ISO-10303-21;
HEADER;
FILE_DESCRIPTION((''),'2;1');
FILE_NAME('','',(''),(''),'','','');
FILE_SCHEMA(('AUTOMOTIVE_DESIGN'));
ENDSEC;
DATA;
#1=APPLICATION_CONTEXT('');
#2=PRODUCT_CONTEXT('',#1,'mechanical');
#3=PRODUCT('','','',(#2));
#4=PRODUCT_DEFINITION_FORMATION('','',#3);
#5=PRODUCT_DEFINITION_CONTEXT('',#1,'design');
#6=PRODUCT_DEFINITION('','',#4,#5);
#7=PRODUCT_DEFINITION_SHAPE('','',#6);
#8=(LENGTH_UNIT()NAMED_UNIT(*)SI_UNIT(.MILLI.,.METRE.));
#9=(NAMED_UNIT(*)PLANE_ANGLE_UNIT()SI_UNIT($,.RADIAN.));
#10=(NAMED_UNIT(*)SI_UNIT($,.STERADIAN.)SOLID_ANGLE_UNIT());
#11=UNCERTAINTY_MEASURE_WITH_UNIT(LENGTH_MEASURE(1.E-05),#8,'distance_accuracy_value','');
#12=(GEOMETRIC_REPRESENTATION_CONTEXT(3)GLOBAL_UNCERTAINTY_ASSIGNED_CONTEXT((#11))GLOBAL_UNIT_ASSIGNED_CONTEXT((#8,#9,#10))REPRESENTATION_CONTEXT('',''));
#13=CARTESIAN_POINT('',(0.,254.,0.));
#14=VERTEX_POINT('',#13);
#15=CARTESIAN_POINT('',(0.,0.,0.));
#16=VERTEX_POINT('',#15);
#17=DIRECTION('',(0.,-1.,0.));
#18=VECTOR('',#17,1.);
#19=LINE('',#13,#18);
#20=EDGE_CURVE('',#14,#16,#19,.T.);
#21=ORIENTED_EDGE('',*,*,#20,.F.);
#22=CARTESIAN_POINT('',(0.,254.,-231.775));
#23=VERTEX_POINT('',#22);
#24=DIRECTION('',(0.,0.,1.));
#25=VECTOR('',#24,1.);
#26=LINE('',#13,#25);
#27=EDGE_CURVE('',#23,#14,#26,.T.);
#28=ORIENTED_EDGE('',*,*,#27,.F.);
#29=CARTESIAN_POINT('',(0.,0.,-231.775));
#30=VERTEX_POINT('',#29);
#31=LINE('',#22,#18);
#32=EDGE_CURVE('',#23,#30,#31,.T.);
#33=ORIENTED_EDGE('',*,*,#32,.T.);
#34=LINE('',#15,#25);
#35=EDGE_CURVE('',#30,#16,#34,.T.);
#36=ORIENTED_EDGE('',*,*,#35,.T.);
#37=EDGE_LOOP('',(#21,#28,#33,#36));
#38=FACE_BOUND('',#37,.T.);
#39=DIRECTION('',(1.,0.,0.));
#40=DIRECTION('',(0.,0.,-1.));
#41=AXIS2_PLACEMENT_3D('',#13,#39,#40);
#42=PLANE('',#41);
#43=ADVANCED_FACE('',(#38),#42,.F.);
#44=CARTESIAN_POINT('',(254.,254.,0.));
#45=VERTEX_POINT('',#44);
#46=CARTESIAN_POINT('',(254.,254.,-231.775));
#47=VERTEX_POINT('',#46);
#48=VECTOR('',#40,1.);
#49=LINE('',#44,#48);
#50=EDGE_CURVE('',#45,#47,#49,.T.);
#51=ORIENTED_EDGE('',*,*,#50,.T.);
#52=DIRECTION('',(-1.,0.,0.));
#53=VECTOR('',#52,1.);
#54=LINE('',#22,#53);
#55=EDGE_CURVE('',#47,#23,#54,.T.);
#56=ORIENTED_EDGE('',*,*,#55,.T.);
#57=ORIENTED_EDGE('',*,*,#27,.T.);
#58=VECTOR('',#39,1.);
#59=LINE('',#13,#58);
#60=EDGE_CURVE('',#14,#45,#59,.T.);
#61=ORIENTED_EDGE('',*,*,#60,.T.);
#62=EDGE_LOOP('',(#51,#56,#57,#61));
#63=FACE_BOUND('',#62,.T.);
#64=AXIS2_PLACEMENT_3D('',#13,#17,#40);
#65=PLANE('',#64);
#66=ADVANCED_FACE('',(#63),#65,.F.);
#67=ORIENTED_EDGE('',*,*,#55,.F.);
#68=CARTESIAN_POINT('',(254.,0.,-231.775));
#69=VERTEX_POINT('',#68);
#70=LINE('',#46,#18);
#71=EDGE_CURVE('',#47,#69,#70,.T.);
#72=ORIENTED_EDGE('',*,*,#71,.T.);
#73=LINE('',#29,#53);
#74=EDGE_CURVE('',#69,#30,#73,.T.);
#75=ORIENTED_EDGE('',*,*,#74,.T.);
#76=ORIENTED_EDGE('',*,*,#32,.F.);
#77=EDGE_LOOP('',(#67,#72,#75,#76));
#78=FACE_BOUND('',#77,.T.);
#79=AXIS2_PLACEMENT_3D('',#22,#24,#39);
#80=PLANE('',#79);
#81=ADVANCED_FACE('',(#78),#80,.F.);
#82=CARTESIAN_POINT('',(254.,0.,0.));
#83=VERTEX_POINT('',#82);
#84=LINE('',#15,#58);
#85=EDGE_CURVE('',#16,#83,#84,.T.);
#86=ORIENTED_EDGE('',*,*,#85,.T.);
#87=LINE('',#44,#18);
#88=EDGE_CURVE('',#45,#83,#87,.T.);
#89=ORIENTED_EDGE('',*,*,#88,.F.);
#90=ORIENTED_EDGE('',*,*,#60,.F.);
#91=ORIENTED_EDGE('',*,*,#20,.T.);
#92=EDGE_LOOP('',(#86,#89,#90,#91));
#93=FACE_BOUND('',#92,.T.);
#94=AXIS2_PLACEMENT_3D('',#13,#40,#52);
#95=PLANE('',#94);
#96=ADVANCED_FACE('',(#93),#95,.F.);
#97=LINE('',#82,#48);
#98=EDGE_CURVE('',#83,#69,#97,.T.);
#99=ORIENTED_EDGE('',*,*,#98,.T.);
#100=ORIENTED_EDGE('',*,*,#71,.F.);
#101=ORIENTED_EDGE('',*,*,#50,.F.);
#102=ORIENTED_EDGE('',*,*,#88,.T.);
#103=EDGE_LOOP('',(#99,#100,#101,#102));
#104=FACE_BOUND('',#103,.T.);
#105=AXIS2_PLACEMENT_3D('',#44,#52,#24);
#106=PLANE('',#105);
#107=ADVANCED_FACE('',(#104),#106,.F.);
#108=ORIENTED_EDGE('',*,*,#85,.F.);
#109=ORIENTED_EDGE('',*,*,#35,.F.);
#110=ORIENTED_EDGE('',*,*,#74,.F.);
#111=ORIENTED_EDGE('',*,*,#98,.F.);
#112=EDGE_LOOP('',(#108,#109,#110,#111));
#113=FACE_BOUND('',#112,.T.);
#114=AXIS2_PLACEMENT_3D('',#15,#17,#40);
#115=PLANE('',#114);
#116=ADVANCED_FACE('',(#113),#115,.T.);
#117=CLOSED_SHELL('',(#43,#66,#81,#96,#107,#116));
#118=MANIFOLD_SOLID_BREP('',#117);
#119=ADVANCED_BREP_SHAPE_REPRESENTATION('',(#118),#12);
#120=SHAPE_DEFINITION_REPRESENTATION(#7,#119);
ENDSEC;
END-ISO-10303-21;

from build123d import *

# Parameters (mm, degrees)
SKETCH1_W           = 254
SKETCH1_H           = 231.775
BOSS_EXTRUDE1_DEPTH = 254


with BuildPart() as part:
    # Sketch1 → Boss-Extrude1 (new body)
    with BuildSketch(Plane(origin=(0, 0, 0), x_dir=(1, 0, 0), z_dir=(0, 1, 0))):
        with Locations((127, 115.8875)):
            Rectangle(SKETCH1_W, SKETCH1_H)
    extrude(amount=BOSS_EXTRUDE1_DEPTH)


solid = part.part
